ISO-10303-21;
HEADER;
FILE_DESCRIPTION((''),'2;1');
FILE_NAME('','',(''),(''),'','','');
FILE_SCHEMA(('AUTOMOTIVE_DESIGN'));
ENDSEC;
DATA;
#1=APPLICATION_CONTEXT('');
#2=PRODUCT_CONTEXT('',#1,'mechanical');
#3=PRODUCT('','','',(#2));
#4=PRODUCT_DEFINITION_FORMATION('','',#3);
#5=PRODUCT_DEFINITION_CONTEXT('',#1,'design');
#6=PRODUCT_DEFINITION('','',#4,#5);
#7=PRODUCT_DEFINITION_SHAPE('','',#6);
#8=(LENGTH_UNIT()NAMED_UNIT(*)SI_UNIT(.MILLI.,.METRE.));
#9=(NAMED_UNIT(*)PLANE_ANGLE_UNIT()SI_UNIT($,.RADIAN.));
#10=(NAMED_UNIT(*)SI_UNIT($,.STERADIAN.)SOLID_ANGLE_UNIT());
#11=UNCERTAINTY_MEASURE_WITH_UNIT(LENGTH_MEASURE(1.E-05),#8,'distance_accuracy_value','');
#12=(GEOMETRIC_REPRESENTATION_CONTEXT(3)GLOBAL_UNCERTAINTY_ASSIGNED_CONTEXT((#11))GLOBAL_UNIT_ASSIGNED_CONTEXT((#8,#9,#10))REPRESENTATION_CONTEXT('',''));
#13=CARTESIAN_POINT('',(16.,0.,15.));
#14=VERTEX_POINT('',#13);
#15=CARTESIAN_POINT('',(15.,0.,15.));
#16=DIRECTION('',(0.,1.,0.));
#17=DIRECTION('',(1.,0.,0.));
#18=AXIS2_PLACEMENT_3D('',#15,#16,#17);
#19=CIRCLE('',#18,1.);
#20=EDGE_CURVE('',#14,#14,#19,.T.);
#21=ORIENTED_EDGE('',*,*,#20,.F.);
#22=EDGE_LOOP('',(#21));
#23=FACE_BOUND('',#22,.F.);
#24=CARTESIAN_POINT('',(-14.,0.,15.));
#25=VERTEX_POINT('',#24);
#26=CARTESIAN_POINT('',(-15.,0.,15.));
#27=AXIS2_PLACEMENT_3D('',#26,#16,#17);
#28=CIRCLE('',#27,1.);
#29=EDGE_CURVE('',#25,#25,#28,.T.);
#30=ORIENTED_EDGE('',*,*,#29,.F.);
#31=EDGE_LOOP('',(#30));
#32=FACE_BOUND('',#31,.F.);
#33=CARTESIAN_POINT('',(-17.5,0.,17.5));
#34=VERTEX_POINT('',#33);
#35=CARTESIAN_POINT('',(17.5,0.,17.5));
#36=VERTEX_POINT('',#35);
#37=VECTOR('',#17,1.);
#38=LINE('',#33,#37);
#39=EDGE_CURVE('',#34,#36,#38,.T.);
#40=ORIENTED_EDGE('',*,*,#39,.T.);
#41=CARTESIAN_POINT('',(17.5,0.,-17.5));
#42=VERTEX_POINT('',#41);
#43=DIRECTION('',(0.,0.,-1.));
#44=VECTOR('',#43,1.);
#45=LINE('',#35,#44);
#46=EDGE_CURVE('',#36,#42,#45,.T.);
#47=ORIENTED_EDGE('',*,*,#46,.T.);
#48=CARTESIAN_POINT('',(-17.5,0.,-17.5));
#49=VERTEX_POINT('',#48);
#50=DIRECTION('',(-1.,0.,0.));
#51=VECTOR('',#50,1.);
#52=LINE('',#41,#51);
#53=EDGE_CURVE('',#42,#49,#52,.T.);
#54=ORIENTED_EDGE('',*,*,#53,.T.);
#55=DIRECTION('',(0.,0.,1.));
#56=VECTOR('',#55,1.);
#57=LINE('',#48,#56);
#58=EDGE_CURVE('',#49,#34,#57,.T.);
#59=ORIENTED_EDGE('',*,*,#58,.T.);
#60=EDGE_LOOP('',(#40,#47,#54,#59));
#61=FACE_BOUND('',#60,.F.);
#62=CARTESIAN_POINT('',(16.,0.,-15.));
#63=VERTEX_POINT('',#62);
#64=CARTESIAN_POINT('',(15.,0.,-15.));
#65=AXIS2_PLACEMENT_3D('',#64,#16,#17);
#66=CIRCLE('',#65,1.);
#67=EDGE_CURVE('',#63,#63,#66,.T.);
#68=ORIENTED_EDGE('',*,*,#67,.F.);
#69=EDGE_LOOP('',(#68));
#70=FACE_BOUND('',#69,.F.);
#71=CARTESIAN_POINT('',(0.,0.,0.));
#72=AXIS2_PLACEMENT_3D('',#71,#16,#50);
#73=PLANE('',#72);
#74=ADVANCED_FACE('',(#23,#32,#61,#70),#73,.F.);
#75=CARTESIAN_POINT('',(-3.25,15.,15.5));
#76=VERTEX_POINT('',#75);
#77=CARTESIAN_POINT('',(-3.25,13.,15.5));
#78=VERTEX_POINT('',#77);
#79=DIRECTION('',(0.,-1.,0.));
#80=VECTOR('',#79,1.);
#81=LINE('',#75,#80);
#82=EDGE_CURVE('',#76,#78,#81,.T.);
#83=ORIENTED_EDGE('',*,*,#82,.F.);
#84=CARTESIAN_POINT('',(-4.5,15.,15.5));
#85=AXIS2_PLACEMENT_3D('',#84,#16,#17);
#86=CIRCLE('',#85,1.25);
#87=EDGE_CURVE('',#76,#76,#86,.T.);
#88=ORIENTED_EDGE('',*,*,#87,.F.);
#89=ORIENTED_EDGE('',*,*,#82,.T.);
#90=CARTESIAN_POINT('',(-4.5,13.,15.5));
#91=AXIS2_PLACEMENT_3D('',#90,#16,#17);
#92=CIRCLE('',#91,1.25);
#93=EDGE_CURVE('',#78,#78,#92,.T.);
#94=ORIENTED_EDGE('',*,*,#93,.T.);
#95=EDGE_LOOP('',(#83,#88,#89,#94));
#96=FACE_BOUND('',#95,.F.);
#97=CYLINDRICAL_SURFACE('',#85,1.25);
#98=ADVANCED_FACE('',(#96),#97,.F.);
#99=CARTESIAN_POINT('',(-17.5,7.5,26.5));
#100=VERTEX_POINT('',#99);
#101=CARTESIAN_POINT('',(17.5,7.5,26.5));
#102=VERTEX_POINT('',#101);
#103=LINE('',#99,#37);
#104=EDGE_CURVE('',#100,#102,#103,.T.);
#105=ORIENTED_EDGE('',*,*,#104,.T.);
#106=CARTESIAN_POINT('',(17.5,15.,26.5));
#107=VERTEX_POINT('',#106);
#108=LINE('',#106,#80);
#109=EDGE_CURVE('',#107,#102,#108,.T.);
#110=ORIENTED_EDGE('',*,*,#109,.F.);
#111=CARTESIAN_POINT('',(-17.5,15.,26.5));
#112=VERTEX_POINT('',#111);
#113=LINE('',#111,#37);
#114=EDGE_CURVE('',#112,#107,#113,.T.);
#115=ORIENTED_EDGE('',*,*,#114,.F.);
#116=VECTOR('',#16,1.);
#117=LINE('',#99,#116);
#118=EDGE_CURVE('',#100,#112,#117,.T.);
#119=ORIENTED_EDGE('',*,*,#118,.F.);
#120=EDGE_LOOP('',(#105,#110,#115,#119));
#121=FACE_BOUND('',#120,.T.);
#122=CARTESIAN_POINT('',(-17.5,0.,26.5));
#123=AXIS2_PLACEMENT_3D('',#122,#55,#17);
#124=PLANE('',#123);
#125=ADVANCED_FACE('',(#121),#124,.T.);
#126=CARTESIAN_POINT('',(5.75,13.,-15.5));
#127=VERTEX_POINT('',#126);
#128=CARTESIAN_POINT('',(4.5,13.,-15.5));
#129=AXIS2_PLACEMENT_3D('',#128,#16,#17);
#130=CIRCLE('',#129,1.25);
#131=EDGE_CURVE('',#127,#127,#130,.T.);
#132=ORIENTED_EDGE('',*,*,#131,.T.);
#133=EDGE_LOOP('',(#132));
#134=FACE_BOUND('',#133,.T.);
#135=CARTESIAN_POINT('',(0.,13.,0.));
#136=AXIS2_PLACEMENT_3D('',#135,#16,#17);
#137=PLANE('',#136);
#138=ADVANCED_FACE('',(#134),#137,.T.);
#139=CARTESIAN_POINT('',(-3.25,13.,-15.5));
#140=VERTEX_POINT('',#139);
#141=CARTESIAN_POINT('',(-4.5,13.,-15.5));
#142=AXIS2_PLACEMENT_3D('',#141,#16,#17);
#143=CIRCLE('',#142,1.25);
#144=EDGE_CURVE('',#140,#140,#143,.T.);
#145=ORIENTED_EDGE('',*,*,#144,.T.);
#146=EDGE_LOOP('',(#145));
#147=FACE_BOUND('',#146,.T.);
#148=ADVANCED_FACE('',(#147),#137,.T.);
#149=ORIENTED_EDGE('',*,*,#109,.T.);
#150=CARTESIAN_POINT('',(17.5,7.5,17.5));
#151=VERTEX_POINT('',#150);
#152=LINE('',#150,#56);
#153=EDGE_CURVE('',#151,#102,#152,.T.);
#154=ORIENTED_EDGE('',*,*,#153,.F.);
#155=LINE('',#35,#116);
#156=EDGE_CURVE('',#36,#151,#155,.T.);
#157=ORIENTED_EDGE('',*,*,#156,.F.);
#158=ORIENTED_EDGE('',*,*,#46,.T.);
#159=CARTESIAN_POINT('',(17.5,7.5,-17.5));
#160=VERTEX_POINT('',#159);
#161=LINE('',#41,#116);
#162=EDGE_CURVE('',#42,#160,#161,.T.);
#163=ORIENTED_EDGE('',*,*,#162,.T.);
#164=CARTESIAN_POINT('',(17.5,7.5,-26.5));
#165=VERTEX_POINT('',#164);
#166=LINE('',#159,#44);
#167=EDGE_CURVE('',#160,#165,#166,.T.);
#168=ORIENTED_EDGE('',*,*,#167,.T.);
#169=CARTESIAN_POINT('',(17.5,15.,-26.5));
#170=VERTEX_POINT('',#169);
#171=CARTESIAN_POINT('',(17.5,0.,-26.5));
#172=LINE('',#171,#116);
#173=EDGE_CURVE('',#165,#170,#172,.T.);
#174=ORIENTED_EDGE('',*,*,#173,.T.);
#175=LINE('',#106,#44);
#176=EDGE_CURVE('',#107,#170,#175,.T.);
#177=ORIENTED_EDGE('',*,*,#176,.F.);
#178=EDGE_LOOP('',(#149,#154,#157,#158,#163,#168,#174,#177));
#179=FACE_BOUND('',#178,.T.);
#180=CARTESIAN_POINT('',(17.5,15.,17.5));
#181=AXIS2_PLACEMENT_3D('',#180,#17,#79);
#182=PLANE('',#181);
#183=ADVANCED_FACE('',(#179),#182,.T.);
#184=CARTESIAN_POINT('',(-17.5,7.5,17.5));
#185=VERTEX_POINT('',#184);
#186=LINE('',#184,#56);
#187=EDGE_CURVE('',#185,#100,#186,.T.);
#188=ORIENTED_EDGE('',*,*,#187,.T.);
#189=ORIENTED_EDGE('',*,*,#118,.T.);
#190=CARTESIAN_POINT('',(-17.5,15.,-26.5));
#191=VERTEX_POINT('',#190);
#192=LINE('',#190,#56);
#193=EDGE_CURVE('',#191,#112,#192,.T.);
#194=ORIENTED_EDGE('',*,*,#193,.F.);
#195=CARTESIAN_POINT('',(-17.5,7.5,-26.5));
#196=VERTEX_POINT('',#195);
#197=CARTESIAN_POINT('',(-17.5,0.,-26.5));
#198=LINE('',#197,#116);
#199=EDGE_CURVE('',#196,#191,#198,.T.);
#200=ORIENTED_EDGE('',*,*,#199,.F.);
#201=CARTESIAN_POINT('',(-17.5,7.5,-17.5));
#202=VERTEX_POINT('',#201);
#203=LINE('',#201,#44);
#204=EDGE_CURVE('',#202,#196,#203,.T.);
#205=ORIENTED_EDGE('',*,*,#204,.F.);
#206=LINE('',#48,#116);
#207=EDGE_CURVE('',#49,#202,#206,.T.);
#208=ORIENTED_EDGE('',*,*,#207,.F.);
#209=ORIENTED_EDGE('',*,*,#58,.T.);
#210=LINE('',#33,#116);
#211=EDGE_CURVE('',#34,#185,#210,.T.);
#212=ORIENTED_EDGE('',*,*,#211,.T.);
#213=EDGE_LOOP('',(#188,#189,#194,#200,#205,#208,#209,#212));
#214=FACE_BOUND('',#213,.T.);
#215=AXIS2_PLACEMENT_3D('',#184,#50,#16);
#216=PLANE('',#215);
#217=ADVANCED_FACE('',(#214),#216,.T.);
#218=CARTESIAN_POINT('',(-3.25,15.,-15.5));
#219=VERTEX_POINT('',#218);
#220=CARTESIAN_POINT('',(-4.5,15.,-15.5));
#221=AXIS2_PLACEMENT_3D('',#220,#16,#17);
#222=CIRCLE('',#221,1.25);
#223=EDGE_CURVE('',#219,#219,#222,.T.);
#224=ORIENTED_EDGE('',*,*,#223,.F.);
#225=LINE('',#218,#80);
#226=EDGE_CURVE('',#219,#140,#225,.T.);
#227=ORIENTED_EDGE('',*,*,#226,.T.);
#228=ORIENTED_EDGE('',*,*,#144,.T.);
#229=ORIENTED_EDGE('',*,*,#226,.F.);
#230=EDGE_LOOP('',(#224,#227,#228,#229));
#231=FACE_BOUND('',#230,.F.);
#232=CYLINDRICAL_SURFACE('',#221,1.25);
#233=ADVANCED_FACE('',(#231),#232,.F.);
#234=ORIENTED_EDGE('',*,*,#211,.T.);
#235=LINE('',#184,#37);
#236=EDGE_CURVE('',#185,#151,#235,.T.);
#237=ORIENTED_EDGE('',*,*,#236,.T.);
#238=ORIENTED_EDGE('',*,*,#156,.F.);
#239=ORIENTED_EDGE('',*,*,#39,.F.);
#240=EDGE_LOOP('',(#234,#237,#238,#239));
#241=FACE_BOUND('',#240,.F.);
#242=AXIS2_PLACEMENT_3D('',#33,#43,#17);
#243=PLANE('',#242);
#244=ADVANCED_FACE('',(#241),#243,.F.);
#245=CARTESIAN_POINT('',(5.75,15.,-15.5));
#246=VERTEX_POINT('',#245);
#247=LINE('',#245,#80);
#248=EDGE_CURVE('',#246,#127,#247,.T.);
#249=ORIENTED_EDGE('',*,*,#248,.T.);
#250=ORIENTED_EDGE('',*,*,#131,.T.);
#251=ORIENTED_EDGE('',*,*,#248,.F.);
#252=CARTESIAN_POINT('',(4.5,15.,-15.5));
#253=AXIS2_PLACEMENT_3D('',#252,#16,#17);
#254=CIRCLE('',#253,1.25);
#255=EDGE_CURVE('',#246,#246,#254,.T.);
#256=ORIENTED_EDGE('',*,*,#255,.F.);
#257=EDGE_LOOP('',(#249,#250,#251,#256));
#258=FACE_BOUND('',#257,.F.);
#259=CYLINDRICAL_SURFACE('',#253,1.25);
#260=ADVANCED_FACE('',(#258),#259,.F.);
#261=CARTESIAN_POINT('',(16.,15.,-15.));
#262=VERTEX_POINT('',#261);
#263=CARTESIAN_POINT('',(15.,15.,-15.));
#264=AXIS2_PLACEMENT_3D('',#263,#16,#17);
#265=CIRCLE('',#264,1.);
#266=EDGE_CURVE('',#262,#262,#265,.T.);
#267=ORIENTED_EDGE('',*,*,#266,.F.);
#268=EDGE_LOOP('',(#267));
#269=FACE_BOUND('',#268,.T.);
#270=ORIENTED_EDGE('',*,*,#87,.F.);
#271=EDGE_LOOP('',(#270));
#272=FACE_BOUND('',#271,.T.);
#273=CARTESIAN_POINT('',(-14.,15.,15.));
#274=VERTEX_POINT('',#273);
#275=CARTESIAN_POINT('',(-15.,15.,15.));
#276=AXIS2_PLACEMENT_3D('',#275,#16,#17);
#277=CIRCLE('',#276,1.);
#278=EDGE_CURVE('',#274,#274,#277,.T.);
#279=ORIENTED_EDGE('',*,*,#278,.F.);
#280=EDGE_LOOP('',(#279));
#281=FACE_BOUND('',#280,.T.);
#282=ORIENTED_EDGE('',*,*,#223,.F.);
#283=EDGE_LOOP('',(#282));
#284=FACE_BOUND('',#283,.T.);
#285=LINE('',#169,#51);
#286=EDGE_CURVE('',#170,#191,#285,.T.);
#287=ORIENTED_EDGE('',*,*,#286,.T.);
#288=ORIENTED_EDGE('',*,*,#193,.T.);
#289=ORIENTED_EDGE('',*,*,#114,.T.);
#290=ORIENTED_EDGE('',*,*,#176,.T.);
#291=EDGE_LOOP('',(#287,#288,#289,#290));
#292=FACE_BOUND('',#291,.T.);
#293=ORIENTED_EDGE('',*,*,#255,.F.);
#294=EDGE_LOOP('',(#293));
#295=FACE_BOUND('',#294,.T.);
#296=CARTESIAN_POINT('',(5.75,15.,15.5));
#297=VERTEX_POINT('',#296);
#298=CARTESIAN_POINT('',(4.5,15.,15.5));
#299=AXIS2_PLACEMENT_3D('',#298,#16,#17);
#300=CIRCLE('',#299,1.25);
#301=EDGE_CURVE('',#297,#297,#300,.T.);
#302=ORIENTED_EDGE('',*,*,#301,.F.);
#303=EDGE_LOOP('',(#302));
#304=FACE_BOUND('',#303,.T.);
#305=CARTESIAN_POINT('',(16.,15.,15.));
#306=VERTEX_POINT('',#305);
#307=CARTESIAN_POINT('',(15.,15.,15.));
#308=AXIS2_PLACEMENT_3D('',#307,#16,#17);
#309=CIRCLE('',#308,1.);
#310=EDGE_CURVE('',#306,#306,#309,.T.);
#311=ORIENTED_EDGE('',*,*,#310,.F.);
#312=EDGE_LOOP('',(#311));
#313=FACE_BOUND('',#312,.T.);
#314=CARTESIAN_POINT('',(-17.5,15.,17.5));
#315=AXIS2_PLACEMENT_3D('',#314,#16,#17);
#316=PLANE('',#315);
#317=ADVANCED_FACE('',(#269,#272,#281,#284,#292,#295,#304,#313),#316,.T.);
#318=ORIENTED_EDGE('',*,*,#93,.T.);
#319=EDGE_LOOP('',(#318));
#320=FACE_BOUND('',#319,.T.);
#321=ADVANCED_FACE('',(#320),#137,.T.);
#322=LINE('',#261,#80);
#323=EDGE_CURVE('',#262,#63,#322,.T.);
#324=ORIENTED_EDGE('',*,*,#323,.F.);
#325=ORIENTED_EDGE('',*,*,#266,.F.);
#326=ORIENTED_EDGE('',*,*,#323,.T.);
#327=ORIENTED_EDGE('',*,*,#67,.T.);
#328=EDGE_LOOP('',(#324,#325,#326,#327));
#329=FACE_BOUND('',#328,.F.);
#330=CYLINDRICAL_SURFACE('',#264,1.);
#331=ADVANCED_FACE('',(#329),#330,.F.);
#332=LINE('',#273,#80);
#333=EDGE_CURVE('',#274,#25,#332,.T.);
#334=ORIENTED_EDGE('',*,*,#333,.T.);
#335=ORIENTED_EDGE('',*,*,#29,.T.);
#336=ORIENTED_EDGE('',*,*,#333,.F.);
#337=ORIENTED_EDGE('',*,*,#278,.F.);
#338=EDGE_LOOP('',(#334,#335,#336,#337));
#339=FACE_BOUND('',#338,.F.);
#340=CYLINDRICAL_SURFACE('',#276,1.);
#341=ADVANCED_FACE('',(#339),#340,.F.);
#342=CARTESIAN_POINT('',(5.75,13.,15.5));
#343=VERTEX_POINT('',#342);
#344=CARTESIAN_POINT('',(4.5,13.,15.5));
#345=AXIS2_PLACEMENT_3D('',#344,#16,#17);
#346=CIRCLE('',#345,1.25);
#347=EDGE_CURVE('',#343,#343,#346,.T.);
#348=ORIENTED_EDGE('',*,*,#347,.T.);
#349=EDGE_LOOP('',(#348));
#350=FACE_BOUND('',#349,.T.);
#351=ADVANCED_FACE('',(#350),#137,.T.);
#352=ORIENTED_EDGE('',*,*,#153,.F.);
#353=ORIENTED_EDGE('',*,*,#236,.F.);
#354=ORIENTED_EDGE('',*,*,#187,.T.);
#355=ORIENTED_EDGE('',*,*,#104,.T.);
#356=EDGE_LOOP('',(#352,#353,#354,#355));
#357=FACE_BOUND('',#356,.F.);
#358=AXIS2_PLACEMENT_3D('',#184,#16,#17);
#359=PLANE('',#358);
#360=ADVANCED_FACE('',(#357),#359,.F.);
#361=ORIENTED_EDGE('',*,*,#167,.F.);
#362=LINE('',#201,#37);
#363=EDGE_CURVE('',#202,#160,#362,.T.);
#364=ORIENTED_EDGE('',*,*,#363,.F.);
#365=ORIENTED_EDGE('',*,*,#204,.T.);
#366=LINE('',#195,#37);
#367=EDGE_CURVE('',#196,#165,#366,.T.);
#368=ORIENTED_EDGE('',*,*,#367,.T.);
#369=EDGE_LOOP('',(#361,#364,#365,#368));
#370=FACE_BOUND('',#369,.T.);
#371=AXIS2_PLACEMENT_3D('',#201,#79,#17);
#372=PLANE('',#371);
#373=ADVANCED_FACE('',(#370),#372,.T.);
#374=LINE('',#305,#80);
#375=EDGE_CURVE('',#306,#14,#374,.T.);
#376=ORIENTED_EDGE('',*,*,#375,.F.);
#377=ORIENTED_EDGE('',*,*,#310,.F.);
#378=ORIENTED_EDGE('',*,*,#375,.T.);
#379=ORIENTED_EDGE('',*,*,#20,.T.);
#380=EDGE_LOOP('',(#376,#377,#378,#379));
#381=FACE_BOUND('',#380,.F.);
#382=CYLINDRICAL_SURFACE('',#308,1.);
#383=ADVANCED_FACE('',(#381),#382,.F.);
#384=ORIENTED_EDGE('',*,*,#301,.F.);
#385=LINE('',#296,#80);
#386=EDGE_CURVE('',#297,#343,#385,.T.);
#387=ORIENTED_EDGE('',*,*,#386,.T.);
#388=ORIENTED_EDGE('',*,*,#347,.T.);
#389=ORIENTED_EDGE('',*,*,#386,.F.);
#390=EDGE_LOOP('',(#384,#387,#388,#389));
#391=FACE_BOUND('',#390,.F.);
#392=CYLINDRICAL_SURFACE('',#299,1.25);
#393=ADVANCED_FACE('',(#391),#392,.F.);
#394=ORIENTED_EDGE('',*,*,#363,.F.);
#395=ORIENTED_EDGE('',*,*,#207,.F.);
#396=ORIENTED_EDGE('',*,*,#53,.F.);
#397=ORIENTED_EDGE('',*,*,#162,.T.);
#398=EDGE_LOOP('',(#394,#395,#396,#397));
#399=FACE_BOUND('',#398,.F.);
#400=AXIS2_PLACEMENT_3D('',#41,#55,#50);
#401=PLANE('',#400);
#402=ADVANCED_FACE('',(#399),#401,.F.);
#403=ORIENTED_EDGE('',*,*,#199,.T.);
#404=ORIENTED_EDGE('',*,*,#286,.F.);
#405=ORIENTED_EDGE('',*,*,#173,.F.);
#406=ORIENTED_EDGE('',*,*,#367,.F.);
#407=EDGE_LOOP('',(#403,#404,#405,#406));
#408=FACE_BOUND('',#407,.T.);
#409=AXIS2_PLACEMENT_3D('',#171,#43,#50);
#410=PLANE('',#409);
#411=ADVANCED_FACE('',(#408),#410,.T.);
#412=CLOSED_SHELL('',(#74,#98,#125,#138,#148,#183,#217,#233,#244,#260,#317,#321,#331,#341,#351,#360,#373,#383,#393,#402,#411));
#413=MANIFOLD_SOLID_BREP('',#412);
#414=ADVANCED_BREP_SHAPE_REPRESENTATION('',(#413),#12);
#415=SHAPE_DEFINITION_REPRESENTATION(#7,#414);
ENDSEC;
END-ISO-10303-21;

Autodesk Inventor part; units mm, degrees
ref_plane "YZ Plane" through (0, 0, 0) normal (1, 0, 0) x (0, 1, 0)
ref_plane "XZ Plane" through (0, 0, 0) normal (0, 1, 0) x (-1, 0, 0)
ref_plane "XY Plane" through (0, 0, 0) normal (0, 0, 1) x (1, 0, 0)
sketch "Sketch1" plane through (0, 0, 0) normal (0, 1, 0) x (-1, 0, 0)
  line L0 (-17.5, -17.5) -> (17.5, -17.5)
  line L1 (17.5, -17.5) -> (17.5, 17.5)
  line L2 (17.5, 17.5) -> (-17.5, 17.5)
  line L3 (-17.5, 17.5) -> (-17.5, -17.5)
  line L4 (-17.5, -17.5) -> (17.5, 17.5) construction
  line L5 (17.5, -17.5) -> (-17.5, 17.5) construction
  point P0 (0, 0)
  dimension "d0" = 35
  dimension "d1" = 35
extrude "Extrusion1" add sketch "Sketch1" along normal blind 15
sketch "Sketch2" plane through (0, 15, 0) normal (0, 1, 0) x (1, 0, 0)
  circle A0 centre (15, -15) radius 1
  circle A1 centre (-15, -15) radius 1
  circle A2 centre (15, 15) radius 1
  point P0 (0, 0)
  dimension "d10" = 2
  dimension "d11" = 15
  dimension "d12" = 15
  dimension "d13" = 2
  dimension "d14" = 15
  dimension "d15" = 15
  dimension "d16" = 2
  dimension "d17" = 15
  dimension "d18" = 15
extrude "Extrusion2" cut sketch "Sketch2" against normal blind 15
sketch "Sketch3" plane through (17.5, 0, -17.5) normal (0, 0, -1) x (-1, 0, 0)
  line L0 (0, 0) -> (0, 15) projected
  line L1 (35, 0) -> (35, 15) projected
  line L2 (0, 15) -> (35, 15)
  line L3 (35, 15) -> (35, 7.5)
  line L4 (35, 7.5) -> (0, 7.5)
  line L5 (0, 7.5) -> (0, 15)
  point P0 (17.5, 0)
extrude "Extrusion3" add sketch "Sketch3" along normal blind 9
sketch "Sketch4" plane through (-17.5, 0, 17.5) normal (0, 0, 1) x (1, 0, 0)
  line L0 (0, 15) -> (35, 15) projected
  line L1 (0, 7.5) -> (35, 7.5) projected
  line L2 (0, 15) -> (35, 15)
  line L3 (35, 15) -> (35, 7.5)
  line L4 (35, 7.5) -> (0, 7.5)
  line L5 (0, 7.5) -> (0, 15)
  point P0 (17.5, 0)
extrude "Extrusion4" add sketch "Sketch4" along normal blind 9
sketch "Sketch5" plane through (0, 15, 0) normal (0, 1, 0) x (1, 0, 0)
  circle A0 centre (4.5, -15.5) radius 1.25
  line L0 (-17.5, -26.5) -> (-17.5, 26.5) projected
  line L1 (-17.5, 0) -> (17.5, 0)
  line L2 (17.5, 26.5) -> (17.5, -26.5) projected
  line L3 (0, -26.5) -> (0, 26.5)
  line L4 (-26.5, 0) -> (8.5, 0)
  circle A1 centre (-4.5, -15.5) radius 1.25
  line L5 (-17.5, 31) -> (17.5, 31)
  circle A2 centre (4.5, 15.5) radius 1.25
  line L6 (-26.5, 31) -> (8.5, 31)
  circle A3 centre (-4.5, 15.5) radius 1.25
  point P0 (0, 0)
  dimension "d25" = 15.5
  dimension "d26" = 4.5
  dimension "d27" = 2.5
  dimension "d30" = 9
  dimension "d33" = 31
extrude "Extrusion5" cut sketch "Sketch5" against normal blind 2
properties part number "actuator"
